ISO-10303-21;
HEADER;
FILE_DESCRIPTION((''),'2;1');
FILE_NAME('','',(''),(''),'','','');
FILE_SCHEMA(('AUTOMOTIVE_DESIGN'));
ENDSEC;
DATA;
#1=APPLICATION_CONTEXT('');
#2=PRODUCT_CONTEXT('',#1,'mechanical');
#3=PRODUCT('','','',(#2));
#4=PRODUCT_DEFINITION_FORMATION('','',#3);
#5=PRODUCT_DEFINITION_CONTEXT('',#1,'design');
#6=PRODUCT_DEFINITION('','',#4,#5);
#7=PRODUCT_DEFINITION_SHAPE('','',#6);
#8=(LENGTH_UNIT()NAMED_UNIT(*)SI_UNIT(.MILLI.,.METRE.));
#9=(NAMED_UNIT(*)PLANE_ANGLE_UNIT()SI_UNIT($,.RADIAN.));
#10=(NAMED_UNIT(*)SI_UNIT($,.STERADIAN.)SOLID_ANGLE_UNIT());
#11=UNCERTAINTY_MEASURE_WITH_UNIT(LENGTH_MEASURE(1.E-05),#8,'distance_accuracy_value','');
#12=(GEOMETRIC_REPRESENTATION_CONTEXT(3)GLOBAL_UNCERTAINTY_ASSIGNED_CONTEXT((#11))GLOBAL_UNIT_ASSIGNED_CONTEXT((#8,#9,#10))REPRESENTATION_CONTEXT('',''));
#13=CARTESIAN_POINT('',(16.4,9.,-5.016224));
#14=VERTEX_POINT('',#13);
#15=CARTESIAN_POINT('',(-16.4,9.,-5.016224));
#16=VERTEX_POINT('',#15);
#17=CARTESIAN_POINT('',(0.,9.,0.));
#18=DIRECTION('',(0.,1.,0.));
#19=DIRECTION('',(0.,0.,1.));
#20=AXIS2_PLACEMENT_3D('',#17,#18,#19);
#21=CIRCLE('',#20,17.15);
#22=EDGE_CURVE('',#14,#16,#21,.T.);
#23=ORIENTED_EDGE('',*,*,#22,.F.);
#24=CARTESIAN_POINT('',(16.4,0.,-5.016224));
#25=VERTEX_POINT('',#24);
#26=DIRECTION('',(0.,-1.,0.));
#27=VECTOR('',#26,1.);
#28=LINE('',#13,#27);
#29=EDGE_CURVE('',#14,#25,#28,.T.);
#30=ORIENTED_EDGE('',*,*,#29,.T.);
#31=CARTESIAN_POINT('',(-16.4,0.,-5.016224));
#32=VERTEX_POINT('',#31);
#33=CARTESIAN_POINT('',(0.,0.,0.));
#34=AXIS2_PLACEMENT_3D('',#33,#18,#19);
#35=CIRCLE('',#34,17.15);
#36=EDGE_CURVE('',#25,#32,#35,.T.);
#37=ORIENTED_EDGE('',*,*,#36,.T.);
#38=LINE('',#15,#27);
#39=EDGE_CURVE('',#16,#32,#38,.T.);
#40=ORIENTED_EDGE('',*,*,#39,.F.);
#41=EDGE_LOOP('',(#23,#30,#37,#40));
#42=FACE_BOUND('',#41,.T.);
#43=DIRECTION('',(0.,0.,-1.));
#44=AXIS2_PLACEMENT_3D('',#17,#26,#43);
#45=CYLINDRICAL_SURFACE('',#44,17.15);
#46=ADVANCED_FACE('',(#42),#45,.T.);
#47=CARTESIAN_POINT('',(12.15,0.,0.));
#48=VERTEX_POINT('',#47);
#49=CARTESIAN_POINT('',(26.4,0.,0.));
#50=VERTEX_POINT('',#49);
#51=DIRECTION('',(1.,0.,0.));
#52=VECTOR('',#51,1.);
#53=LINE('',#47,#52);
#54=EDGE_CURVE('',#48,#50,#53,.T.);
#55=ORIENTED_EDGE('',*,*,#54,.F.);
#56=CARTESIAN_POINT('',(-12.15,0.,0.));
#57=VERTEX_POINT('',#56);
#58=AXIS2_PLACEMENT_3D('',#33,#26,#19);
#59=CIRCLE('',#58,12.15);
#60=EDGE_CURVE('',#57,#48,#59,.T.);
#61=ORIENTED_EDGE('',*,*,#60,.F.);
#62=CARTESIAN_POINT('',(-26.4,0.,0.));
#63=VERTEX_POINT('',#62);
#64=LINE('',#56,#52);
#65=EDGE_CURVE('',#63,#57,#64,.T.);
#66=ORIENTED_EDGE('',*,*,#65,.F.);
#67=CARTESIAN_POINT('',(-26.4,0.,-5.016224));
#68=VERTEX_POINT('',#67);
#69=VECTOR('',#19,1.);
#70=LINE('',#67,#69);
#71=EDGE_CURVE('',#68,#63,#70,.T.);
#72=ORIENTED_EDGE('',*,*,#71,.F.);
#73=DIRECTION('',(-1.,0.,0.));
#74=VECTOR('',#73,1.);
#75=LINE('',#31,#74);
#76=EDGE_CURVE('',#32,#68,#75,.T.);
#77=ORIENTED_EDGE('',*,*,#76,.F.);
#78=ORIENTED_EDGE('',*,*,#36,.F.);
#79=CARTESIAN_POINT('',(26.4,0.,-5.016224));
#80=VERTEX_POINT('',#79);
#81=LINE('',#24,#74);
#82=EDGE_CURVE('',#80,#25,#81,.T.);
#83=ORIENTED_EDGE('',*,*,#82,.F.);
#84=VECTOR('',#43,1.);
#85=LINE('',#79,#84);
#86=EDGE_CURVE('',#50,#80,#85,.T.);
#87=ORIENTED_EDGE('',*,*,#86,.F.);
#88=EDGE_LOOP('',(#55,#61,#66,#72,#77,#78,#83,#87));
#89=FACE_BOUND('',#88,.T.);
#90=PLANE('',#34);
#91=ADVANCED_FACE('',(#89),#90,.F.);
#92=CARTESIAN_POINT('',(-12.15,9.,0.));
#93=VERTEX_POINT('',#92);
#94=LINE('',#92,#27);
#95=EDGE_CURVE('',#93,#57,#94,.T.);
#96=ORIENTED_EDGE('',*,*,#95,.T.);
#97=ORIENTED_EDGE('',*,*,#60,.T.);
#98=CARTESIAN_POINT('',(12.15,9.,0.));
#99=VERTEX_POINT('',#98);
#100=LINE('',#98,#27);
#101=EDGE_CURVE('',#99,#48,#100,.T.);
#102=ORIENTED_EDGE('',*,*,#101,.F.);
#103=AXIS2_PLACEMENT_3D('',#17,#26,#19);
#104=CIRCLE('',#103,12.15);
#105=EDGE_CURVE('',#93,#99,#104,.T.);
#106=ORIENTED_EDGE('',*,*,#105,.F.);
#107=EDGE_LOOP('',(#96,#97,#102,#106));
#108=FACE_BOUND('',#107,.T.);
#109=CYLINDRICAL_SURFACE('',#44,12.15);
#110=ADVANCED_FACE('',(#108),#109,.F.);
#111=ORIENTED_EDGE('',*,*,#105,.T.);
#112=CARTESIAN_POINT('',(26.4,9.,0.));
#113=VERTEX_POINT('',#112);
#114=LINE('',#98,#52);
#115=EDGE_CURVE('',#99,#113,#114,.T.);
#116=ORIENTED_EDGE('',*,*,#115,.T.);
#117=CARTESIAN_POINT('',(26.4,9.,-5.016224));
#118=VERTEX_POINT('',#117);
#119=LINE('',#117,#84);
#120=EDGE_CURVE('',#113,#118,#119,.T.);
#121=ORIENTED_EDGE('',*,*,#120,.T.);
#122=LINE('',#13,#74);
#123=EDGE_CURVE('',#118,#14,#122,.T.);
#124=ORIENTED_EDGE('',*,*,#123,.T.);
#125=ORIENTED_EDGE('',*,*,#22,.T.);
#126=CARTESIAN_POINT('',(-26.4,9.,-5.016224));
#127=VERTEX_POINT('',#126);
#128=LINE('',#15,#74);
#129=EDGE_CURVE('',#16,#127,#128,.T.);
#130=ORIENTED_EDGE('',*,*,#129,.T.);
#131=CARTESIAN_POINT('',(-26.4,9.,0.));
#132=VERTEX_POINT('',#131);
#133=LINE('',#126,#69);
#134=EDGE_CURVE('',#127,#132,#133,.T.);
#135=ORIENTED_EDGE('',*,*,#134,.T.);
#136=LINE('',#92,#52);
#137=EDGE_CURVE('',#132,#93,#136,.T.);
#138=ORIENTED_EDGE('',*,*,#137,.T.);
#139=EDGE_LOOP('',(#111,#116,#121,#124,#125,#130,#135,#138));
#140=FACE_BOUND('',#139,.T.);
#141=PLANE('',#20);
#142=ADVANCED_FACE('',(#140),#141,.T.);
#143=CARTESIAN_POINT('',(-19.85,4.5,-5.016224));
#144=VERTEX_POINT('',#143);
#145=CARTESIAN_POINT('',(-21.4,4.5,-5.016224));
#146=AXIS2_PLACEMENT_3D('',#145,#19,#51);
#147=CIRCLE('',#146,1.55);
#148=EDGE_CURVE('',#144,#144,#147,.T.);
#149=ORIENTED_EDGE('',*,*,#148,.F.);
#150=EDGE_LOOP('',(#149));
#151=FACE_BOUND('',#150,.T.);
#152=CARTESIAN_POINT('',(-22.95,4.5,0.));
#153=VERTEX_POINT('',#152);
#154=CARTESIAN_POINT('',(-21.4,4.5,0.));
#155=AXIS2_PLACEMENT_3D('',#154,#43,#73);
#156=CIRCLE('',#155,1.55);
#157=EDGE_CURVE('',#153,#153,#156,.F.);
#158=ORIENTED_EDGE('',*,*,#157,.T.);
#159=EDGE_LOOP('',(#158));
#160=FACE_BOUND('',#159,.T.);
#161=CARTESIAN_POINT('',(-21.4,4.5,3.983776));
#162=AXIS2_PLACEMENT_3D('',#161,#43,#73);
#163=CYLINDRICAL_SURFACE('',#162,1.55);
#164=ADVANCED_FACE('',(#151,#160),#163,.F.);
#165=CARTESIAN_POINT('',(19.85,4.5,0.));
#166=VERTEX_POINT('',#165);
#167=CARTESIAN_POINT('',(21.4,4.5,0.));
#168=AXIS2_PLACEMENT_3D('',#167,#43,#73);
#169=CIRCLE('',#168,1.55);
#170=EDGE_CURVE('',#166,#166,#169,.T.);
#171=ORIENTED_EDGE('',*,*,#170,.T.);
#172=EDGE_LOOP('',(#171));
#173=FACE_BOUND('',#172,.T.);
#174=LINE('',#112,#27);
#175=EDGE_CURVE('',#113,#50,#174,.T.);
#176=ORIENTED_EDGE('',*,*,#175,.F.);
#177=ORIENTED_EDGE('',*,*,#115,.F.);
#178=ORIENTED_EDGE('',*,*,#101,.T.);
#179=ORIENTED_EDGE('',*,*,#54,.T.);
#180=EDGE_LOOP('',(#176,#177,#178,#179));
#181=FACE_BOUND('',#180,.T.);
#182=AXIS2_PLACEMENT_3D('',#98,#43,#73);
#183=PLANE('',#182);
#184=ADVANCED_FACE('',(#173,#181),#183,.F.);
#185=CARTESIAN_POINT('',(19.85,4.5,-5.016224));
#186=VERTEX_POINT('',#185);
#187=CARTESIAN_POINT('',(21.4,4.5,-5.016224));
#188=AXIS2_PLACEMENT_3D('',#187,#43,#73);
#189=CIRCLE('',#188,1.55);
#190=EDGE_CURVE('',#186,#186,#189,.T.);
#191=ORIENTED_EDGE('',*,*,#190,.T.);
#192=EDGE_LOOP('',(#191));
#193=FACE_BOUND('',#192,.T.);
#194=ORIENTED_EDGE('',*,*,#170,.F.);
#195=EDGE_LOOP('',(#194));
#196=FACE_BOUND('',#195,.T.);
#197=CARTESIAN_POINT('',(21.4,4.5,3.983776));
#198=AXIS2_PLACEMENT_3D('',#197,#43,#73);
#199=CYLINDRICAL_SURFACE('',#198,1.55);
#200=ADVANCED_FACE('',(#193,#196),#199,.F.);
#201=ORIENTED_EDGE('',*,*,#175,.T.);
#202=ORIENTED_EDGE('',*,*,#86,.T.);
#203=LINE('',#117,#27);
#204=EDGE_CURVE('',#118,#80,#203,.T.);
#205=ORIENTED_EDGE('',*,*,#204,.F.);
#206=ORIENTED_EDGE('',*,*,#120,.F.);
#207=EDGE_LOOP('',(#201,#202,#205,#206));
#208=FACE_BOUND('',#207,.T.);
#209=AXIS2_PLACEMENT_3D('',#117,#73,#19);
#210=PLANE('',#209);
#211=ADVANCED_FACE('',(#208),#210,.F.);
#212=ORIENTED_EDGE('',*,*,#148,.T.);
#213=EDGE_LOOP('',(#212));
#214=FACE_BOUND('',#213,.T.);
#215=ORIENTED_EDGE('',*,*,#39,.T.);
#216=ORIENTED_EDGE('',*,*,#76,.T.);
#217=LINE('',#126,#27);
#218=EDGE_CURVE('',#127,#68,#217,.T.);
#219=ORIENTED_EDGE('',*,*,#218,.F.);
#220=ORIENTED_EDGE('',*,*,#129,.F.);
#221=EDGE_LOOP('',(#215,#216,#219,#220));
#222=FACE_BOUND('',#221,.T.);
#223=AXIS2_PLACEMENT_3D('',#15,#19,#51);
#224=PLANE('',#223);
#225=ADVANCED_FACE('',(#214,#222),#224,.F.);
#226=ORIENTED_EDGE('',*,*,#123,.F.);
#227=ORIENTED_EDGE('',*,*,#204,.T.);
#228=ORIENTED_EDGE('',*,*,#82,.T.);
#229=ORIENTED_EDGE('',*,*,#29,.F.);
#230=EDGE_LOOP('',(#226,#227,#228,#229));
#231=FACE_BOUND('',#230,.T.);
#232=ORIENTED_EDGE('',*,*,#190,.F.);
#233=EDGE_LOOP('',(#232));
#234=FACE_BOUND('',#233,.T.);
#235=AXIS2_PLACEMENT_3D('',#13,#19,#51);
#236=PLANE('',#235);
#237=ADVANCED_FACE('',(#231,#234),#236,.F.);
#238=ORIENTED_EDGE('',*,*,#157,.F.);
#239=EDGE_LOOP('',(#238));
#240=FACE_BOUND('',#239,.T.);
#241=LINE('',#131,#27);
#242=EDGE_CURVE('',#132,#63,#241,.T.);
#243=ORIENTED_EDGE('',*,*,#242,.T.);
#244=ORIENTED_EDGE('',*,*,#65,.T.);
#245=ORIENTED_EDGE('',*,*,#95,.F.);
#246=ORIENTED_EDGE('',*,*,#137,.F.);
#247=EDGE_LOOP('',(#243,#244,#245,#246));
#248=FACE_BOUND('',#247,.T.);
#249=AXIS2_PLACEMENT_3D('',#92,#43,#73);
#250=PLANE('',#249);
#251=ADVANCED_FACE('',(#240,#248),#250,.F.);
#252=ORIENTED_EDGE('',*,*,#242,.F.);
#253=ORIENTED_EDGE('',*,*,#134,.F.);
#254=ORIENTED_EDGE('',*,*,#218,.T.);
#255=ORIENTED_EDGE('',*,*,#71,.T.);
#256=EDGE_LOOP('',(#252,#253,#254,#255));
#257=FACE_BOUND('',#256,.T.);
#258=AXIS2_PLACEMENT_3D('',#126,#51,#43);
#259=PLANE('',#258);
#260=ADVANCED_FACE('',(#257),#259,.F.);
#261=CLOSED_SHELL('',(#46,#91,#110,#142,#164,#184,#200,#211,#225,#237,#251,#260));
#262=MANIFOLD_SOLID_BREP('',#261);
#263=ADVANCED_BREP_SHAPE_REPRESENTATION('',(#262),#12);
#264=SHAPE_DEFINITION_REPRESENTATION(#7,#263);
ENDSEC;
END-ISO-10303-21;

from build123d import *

# Parameters (mm, degrees)
BOSS_EXTRUDE1_DEPTH = 9
SKETCH2_R           = 1.55
CUT_EXTRUDE1_DEPTH  = 9


with BuildPart() as part:
    # Sketch1 → Boss-Extrude1 (new body)
    with BuildSketch(Plane(origin=(0, 0, 0), x_dir=(1, 0, 0), z_dir=(0, 1, 0))):
        with BuildLine():
            Line((16.4, 5.016223679), (26.4, 5.016223679))
            Line((26.4, 5.016223679), (26.4, 0))
            Line((26.4, 0), (12.15, 0))
            ThreePointArc((12.15, 0), (0, 12.15), (-12.15, 0))
            Line((-12.15, 0), (-26.4, 0))
            Line((-26.4, 0), (-26.4, 5.016223679))
            Line((-26.4, 5.016223679), (-16.4, 5.016223679))
            ThreePointArc((-16.4, 5.016223679), (0, 17.15), (16.4, 5.016223679))
        make_face()
    extrude(amount=BOSS_EXTRUDE1_DEPTH)

    # Sketch2 → Cut-Extrude1 (cut)
    with BuildSketch(Plane(origin=(0, 0, -5.016223679), x_dir=(-1, 0, 0), z_dir=(0, 0, -1))):
        with Locations((-21.4, 4.5)):
            Circle(SKETCH2_R)
    cut_extrude1 = extrude(amount=-CUT_EXTRUDE1_DEPTH, mode=Mode.SUBTRACT)

    # Mirror1: Cut-Extrude1 across plane
    add(cut_extrude1.mirror(Plane(origin=(0, 0, 0), x_dir=(0, 0, 1), z_dir=(1, 0, 0))), mode=Mode.SUBTRACT)


solid = part.part
